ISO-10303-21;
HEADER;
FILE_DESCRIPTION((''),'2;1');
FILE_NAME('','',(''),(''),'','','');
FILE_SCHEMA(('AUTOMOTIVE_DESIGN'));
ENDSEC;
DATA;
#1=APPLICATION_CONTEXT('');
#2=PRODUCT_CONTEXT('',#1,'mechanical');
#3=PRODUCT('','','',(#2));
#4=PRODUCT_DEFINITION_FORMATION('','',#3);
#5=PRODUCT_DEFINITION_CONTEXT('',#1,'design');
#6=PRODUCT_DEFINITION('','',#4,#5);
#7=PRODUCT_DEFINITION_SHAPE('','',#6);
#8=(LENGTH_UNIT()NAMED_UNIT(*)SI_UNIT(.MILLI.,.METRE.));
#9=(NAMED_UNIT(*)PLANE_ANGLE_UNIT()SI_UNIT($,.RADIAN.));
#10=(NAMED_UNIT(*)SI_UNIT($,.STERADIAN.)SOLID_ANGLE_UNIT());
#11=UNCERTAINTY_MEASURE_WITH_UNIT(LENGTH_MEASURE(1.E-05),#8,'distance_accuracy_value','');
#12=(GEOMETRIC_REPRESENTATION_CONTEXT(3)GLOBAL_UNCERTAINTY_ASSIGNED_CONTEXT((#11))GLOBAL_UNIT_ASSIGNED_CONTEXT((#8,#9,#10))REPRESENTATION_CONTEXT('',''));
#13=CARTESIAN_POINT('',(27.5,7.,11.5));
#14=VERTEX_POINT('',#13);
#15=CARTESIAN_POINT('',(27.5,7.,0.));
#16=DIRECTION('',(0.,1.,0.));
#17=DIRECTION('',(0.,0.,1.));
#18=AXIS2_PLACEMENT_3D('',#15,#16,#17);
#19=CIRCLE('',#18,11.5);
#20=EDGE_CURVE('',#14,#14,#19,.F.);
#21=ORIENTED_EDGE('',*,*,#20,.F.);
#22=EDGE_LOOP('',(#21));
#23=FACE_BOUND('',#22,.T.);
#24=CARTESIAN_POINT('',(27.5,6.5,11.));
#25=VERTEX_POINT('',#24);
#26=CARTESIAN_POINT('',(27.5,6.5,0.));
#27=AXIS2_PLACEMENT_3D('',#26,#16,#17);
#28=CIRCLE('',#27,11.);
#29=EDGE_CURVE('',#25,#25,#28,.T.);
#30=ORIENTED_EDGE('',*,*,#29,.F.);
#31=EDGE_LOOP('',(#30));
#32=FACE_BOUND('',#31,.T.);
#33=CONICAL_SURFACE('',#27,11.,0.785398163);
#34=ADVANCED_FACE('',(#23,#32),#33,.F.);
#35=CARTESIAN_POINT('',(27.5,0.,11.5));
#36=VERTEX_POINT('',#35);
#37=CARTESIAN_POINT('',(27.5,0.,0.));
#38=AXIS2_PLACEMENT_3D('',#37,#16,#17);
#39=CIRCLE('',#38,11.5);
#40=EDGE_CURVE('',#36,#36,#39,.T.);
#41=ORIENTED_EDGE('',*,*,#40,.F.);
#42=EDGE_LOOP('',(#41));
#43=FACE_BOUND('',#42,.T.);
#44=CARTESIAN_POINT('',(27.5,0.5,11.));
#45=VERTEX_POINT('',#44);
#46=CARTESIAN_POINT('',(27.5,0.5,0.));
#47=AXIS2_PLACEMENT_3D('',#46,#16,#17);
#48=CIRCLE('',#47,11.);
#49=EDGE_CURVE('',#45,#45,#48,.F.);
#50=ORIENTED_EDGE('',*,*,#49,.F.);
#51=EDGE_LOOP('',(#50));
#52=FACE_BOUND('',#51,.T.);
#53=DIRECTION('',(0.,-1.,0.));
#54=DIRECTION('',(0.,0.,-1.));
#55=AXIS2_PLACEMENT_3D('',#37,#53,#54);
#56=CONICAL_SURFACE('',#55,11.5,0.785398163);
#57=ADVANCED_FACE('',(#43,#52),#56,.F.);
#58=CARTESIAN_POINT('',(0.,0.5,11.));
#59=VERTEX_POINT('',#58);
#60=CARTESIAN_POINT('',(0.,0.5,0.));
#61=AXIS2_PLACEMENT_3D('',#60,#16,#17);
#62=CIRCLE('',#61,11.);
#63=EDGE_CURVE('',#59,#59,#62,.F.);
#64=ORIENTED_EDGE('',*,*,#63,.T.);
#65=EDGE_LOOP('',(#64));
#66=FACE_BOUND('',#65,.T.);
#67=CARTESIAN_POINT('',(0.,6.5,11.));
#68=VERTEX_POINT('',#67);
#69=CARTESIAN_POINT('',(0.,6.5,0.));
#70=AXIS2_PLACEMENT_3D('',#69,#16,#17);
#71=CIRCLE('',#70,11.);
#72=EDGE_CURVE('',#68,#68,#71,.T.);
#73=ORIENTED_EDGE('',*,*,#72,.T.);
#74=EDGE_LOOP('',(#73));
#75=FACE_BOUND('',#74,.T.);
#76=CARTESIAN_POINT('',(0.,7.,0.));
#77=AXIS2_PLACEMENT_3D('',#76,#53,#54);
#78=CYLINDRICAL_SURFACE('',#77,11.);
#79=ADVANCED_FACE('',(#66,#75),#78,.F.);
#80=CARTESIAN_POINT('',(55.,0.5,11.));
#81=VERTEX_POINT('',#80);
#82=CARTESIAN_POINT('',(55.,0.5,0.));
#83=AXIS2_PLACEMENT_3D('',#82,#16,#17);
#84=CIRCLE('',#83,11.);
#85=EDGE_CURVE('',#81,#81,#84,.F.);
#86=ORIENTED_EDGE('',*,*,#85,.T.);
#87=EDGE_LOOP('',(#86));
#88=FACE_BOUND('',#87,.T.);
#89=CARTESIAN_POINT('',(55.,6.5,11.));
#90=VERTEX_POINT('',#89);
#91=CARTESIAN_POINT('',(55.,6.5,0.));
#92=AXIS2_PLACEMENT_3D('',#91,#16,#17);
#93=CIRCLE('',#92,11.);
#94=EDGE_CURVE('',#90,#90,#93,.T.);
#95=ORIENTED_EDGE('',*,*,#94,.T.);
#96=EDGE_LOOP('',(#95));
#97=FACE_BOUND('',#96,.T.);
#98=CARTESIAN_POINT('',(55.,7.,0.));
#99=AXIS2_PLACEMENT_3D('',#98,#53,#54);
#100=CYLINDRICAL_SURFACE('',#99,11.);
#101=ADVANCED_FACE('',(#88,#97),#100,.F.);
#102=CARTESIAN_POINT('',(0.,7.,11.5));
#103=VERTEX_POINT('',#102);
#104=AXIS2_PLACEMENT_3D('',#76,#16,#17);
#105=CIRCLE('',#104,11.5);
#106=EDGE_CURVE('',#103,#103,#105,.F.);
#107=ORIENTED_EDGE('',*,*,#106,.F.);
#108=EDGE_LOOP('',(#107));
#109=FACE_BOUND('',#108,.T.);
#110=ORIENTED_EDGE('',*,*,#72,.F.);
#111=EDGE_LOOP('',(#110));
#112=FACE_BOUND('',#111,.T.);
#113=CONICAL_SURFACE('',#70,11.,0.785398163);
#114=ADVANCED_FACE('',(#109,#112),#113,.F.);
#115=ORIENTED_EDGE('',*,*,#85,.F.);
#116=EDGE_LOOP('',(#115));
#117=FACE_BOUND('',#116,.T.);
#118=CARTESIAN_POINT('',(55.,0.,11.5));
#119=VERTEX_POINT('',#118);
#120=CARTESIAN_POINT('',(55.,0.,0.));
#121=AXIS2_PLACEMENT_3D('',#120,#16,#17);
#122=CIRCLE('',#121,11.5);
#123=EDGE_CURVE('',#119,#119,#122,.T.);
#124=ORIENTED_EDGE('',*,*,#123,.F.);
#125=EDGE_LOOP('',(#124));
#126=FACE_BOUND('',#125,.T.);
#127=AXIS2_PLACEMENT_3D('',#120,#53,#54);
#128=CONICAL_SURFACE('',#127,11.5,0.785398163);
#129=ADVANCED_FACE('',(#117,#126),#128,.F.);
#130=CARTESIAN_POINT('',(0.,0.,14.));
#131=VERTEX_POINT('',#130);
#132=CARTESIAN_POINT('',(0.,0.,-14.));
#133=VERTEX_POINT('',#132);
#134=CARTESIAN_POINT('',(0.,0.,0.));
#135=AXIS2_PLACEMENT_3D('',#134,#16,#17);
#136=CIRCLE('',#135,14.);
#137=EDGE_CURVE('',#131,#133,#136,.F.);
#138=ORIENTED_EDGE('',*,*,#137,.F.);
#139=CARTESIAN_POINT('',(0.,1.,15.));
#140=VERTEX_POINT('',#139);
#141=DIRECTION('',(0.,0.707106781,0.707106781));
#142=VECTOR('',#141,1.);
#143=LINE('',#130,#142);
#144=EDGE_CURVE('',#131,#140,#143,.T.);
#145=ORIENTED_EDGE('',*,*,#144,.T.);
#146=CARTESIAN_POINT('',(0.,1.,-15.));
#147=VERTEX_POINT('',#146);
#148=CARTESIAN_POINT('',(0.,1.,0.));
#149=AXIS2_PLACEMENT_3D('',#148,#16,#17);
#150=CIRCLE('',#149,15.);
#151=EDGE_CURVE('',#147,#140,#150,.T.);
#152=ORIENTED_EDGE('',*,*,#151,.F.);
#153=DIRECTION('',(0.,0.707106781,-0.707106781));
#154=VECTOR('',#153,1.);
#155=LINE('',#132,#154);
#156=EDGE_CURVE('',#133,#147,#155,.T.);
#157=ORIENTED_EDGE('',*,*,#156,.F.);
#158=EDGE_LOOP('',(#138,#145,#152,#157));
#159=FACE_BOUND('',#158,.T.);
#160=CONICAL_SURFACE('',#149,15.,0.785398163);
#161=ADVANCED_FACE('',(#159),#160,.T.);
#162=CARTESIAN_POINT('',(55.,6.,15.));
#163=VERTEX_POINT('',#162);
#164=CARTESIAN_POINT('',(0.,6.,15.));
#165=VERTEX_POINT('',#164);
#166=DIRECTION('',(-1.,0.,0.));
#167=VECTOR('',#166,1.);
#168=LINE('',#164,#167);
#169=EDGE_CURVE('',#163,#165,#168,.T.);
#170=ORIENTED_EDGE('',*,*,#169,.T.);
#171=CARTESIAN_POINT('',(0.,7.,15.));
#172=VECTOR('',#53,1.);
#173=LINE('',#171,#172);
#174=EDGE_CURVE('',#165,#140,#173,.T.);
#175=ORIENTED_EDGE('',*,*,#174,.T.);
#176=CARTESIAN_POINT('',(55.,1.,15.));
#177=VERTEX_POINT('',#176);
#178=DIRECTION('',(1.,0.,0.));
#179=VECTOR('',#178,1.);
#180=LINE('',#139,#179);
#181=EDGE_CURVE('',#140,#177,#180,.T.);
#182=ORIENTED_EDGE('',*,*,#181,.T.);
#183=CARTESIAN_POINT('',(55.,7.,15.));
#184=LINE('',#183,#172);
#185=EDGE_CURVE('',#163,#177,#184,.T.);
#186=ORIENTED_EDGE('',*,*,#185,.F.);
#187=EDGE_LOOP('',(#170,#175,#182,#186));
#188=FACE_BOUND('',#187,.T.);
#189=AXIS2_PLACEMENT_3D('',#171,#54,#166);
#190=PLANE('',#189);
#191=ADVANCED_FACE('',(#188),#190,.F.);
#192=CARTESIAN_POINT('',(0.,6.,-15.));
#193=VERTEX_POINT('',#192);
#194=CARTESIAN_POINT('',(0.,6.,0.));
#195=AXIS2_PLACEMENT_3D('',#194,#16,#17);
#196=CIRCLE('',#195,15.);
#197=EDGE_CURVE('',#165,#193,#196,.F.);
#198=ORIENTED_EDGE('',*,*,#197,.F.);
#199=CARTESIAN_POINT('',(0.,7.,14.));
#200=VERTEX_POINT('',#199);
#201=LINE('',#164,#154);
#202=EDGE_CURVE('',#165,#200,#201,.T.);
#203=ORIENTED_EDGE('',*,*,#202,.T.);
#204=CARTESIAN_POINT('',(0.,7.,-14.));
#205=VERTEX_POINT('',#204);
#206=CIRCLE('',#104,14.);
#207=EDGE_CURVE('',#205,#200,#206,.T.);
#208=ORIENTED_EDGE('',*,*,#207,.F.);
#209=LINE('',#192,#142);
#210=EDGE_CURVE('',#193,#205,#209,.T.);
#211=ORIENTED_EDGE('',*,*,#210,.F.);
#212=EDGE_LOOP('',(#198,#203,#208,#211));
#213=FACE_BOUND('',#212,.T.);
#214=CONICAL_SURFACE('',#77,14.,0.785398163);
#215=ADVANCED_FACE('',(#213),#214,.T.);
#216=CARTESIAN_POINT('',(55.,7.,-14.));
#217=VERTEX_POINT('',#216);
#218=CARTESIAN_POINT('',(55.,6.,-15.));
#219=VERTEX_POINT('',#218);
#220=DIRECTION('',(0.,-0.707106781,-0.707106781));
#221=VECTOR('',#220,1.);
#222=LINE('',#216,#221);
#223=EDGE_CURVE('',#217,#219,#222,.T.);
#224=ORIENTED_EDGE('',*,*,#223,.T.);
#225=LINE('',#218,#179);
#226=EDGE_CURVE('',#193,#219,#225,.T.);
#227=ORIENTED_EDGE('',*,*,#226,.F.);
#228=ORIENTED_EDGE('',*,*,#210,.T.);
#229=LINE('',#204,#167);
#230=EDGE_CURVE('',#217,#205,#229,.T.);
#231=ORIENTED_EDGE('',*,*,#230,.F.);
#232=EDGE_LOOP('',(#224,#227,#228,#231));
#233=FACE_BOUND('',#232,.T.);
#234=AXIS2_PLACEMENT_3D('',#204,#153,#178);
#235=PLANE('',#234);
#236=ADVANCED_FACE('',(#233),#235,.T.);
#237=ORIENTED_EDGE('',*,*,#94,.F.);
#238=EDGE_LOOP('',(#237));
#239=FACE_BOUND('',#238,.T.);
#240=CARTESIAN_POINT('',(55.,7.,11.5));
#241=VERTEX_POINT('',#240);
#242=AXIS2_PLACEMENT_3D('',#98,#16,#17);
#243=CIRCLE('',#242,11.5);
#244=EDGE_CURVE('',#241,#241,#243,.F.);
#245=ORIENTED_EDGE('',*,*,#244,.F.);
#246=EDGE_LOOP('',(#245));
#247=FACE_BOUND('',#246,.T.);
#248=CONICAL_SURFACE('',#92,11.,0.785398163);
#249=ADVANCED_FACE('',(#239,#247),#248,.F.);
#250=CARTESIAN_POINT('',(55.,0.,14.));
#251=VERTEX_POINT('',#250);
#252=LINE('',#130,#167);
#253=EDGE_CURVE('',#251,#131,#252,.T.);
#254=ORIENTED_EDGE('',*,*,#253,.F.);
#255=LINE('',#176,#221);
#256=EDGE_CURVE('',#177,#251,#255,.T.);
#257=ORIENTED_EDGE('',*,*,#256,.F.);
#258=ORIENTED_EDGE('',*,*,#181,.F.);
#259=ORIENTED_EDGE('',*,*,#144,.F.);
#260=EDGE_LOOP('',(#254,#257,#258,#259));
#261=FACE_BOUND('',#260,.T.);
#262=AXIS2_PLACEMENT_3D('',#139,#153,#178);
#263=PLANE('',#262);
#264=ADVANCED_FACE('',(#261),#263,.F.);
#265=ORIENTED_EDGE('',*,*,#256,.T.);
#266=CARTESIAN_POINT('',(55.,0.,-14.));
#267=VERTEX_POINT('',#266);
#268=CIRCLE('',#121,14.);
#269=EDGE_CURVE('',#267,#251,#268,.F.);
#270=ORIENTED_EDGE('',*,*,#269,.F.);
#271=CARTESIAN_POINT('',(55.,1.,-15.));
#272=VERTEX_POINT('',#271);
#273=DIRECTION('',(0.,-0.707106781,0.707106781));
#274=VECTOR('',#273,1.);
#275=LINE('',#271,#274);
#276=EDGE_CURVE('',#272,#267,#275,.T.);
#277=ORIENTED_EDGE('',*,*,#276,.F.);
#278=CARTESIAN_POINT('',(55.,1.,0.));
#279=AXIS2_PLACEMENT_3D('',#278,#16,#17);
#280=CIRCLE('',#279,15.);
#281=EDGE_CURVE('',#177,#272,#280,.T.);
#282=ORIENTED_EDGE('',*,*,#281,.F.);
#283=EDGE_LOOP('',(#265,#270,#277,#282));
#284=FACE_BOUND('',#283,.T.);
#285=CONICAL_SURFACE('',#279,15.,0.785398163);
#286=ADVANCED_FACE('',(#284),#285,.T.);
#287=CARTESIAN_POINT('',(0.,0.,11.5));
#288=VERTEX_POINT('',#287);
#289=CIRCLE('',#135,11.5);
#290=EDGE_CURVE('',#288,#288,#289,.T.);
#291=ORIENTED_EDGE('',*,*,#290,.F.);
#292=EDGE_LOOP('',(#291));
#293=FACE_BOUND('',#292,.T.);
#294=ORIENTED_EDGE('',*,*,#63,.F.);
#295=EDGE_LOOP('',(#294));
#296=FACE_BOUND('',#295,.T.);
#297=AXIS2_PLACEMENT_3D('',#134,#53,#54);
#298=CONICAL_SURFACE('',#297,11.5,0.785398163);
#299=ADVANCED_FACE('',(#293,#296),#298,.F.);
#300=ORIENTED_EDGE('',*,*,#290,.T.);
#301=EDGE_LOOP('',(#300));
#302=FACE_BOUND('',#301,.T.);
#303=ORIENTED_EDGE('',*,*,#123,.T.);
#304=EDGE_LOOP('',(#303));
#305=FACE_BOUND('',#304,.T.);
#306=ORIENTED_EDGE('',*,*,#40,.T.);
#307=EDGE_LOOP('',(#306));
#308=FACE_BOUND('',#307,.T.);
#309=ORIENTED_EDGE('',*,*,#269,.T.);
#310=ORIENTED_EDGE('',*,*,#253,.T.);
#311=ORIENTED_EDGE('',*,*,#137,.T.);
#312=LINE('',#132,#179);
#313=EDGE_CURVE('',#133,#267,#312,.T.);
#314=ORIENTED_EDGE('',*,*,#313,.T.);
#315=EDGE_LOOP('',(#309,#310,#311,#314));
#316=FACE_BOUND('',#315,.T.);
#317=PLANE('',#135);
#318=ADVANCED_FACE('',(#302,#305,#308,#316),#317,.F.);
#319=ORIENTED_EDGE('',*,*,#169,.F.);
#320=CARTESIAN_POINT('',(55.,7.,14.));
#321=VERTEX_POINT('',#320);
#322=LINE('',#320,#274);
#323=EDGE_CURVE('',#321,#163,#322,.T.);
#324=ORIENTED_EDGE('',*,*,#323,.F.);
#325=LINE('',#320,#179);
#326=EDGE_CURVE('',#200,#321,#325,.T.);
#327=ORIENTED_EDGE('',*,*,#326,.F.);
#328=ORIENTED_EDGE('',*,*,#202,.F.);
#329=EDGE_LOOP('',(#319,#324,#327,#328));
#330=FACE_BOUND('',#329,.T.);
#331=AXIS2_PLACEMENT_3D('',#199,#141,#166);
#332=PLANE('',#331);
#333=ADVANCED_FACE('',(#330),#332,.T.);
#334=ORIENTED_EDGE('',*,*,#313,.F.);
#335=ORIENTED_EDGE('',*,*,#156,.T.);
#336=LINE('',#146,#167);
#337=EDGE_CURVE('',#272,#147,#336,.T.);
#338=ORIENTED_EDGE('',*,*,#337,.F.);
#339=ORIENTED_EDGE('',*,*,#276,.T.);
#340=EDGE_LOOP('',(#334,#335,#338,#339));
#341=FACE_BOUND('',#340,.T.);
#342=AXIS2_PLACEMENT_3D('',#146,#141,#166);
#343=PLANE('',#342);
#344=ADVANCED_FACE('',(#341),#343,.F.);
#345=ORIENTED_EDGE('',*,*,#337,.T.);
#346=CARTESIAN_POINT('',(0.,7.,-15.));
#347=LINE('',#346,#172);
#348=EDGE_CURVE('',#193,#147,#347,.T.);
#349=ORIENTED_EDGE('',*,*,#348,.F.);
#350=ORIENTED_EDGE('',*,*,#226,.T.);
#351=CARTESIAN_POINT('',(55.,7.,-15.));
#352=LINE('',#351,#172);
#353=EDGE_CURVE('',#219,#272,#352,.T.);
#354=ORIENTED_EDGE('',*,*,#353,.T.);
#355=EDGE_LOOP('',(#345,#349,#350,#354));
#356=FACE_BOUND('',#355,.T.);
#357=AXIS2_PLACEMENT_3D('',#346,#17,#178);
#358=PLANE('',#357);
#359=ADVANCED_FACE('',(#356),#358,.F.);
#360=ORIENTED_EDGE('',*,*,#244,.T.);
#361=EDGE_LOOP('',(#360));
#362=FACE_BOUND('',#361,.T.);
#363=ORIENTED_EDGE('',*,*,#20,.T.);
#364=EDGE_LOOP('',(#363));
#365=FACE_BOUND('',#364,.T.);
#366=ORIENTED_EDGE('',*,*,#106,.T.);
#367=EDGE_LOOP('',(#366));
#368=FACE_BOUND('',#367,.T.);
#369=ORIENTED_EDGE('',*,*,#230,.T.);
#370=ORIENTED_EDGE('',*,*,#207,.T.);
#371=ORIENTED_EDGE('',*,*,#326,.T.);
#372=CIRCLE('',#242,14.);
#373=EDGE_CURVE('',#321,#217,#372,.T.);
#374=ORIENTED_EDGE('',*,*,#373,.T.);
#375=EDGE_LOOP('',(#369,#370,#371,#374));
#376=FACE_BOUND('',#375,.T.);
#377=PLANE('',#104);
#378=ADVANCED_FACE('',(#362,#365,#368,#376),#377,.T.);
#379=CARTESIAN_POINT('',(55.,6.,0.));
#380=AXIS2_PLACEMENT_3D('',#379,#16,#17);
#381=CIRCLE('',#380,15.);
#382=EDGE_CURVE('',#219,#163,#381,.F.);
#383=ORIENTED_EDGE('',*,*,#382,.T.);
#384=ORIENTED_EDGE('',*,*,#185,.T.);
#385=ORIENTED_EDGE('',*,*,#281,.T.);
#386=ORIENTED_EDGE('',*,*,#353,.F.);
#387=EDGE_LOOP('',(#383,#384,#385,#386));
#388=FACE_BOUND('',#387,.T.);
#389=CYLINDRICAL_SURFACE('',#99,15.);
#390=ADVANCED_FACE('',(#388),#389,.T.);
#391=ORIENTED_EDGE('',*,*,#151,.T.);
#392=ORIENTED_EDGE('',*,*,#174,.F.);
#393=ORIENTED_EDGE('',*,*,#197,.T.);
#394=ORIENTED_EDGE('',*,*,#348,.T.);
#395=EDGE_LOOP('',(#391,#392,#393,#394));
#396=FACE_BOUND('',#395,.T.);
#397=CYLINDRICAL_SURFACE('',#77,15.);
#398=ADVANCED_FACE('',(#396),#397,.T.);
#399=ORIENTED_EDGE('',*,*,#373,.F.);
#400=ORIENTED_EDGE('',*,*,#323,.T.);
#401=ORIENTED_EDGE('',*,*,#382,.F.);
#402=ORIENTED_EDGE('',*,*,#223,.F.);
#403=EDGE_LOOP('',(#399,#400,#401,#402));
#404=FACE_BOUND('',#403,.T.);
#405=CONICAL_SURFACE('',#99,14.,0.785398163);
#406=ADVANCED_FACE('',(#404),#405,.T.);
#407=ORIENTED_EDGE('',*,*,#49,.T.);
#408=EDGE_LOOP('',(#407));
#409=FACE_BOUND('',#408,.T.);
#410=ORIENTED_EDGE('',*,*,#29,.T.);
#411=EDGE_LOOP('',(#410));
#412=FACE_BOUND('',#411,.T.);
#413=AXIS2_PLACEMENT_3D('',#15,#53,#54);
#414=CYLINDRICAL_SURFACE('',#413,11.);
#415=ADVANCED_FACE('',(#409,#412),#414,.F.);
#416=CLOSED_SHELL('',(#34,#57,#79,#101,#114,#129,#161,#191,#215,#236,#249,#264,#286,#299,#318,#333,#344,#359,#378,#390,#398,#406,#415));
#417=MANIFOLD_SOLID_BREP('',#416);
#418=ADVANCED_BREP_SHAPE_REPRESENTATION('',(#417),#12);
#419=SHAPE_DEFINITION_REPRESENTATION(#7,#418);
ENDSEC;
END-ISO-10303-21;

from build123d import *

# Parameters (mm, degrees)
ESQUISSE1_R        = 11
BOSS_EXTRU_1_DEPTH = 7
CHANFREIN1_SIZE    = 0.5
CHANFREIN2_SIZE    = 1


with BuildPart() as part:
    # Esquisse1 → Boss.-Extru.1 (new body)
    with BuildSketch(Plane(origin=(0, 0, 0), x_dir=(1, 0, 0), z_dir=(0, 1, 0))):
        with BuildLine():
            Line((0, 15), (55, 15))
            ThreePointArc((55, 15), (70, 0), (55, -15))
            Line((55, -15), (0, -15))
            ThreePointArc((0, -15), (-15, 0), (0, 15))
        make_face()
        with Locations(Location((27.5, 0, 0), (0, 0, 270))):  # turned: the seam where the file's is
            Circle(ESQUISSE1_R, mode=Mode.SUBTRACT)
        with Locations(Location((0, 0, 0), (0, 0, 270))):  # turned: the seam where the file's is
            Circle(ESQUISSE1_R, mode=Mode.SUBTRACT)
        with Locations(Location((55, 0, 0), (0, 0, 270))):  # turned: the seam where the file's is
            Circle(ESQUISSE1_R, mode=Mode.SUBTRACT)
    extrude(amount=BOSS_EXTRU_1_DEPTH)

    # Chanfrein1
    chanfrein1_edges = [part.edges().sort_by_distance(p)[0] for p in [
        (27.5, 0, -11),
        (27.5, 7, -11),
        (0, 0, -11),
        (0, 7, -11),
        (55, 0, -11),
        (55, 7, -11),
    ]]
    chamfer(chanfrein1_edges, length=CHANFREIN1_SIZE)

    # Chanfrein2
    chanfrein2_edges = [part.edges().sort_by_distance(p)[0] for p in [
        (70, 7, 0),
        (27.5, 7, -15),
        (-15, 7, 0),
        (27.5, 0, -15),
        (70, 0, 0),
        (27.5, 0, 15),
        (-15, 0, 0),
        (27.5, 7, 15),
    ]]
    chamfer(chanfrein2_edges, length=CHANFREIN2_SIZE)


solid = part.part
